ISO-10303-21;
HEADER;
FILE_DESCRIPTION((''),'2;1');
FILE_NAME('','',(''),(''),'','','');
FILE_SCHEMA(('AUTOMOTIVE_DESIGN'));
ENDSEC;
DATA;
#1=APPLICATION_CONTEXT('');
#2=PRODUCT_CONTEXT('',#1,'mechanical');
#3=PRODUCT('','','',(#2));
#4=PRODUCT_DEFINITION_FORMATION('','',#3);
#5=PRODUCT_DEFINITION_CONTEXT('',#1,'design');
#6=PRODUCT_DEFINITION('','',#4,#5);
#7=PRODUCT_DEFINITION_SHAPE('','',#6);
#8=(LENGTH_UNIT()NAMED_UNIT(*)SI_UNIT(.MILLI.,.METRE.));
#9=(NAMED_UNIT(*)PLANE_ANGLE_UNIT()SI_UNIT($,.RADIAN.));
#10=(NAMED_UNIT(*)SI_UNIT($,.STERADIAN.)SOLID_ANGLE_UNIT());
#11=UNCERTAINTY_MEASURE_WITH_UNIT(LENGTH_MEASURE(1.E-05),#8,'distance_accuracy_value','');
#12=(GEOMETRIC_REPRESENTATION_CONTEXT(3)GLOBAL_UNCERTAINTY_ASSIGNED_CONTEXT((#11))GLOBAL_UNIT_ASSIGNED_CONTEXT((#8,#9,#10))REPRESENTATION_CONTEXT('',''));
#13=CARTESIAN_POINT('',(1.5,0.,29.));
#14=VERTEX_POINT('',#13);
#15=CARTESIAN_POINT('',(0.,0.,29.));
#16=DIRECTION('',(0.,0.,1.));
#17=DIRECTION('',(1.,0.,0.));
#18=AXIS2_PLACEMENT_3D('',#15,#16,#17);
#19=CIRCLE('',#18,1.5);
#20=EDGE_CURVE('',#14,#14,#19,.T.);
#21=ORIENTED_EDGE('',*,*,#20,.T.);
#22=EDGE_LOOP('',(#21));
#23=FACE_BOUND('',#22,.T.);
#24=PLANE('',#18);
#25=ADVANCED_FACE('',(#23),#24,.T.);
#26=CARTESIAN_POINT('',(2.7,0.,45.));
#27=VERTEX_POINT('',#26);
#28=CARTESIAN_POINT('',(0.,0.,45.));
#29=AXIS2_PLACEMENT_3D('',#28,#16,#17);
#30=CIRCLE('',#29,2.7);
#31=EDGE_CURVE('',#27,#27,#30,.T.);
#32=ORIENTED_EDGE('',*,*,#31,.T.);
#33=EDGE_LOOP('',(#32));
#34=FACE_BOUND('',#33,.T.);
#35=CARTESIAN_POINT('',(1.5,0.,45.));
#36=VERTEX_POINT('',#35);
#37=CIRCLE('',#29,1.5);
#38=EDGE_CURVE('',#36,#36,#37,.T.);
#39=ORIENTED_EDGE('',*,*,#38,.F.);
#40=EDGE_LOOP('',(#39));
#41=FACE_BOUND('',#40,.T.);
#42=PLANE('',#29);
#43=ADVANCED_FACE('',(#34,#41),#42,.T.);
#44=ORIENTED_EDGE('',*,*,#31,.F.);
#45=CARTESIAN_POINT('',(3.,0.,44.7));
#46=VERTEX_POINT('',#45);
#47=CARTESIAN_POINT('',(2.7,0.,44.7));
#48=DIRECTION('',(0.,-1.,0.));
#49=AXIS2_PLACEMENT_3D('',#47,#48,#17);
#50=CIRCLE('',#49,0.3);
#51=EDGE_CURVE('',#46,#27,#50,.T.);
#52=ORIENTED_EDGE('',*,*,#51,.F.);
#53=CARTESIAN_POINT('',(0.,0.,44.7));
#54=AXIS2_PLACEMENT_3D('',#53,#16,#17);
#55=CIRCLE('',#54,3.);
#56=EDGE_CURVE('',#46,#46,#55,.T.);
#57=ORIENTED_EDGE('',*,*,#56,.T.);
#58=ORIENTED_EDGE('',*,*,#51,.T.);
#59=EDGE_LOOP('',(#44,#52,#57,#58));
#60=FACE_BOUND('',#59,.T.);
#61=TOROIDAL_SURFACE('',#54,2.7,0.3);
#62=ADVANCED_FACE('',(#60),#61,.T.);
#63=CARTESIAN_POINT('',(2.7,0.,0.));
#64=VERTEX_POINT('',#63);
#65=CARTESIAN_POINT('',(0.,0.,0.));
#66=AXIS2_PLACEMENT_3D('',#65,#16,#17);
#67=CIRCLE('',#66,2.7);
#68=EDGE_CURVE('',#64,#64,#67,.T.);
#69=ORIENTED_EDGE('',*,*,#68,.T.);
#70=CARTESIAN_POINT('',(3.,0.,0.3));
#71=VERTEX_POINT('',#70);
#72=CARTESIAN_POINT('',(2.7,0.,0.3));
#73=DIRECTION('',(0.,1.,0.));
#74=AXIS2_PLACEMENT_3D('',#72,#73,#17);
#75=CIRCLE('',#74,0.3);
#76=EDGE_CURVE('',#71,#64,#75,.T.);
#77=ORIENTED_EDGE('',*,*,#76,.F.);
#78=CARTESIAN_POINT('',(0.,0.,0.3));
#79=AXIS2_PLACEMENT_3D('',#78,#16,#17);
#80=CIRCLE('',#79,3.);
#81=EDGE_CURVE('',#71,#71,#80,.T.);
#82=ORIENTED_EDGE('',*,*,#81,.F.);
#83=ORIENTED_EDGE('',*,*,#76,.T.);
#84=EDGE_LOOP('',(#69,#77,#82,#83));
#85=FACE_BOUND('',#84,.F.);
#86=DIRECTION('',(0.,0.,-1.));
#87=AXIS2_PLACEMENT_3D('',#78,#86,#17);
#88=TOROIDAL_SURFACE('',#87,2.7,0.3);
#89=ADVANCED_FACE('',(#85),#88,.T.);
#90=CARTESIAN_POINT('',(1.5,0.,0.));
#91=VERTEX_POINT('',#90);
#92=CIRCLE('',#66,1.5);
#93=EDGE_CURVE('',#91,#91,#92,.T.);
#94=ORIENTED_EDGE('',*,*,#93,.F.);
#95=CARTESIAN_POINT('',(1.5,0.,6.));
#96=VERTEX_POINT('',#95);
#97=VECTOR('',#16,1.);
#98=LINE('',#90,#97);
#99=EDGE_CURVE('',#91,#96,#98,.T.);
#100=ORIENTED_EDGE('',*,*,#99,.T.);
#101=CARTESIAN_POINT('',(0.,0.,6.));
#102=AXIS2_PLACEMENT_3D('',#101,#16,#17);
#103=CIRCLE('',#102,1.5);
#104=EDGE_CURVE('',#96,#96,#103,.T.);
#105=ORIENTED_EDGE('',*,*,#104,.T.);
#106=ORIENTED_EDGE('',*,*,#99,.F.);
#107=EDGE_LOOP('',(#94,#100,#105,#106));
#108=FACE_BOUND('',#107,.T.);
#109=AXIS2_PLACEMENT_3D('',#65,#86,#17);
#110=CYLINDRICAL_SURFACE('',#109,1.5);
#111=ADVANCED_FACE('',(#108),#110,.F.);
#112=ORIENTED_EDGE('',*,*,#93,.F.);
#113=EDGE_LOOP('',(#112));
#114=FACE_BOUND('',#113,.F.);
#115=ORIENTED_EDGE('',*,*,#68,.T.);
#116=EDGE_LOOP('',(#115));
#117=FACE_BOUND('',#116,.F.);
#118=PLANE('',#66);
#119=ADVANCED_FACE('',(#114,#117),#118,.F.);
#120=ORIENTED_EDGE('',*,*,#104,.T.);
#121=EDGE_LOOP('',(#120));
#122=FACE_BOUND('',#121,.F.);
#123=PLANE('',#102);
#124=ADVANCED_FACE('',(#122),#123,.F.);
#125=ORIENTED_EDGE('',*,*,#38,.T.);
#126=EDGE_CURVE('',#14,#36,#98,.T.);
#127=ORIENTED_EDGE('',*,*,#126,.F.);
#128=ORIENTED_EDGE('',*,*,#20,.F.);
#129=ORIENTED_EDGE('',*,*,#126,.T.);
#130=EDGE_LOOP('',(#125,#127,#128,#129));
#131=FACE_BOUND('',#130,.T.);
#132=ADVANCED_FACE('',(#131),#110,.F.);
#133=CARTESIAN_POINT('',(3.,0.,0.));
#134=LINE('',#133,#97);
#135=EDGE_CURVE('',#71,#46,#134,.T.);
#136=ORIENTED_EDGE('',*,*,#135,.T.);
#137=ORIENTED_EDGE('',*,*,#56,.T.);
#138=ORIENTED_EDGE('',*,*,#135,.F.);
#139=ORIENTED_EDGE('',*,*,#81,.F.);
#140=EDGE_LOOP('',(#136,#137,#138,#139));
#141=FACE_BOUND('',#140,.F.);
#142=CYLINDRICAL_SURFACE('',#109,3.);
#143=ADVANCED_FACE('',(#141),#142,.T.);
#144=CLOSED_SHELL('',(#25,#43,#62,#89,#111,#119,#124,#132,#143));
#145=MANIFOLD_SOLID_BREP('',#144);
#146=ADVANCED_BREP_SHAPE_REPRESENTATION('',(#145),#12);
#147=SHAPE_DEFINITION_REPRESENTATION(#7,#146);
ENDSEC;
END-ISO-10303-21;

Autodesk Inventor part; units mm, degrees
ref_plane "YZ Plane" through (0, 0, 0) normal (1, 0, 0) x (0, 1, 0)
ref_plane "XZ Plane" through (0, 0, 0) normal (0, 1, 0) x (-1, 0, 0)
ref_plane "XY Plane" through (0, 0, 0) normal (0, 0, 1) x (1, 0, 0)
sketch "スケッチ1" plane through (0, 0, 0) normal (0, 0, 1) x (1, 0, 0)
  circle A0 centre (0, 0) radius 3
  circle A1 centre (0, 0) radius 1.5
  dimension "d0" = 6
  dimension "d1" = 3
extrude "押し出し1" add sketch "スケッチ1" along normal blind 45
fillet "フィレット1" radius 0.3 2 edges at (-3, 0, 45) (-3, 0, 0)
thread "ねじ1" size "M3x0.5" class "6H" standard "ANSI Metric M Profile" length 100
extrude "押し出し2" add sketch "スケッチ1" along normal blind 29 contours A1
extrude "押し出し3" cut sketch "スケッチ1" along normal blind 6 contours A1
thread "ねじ2" size "M3x0.5" class "6H" standard "ANSI Metric M Profile" full length
properties part number "スペーサーM3L45アルミ" material "アルミニウム 2014-T4"
